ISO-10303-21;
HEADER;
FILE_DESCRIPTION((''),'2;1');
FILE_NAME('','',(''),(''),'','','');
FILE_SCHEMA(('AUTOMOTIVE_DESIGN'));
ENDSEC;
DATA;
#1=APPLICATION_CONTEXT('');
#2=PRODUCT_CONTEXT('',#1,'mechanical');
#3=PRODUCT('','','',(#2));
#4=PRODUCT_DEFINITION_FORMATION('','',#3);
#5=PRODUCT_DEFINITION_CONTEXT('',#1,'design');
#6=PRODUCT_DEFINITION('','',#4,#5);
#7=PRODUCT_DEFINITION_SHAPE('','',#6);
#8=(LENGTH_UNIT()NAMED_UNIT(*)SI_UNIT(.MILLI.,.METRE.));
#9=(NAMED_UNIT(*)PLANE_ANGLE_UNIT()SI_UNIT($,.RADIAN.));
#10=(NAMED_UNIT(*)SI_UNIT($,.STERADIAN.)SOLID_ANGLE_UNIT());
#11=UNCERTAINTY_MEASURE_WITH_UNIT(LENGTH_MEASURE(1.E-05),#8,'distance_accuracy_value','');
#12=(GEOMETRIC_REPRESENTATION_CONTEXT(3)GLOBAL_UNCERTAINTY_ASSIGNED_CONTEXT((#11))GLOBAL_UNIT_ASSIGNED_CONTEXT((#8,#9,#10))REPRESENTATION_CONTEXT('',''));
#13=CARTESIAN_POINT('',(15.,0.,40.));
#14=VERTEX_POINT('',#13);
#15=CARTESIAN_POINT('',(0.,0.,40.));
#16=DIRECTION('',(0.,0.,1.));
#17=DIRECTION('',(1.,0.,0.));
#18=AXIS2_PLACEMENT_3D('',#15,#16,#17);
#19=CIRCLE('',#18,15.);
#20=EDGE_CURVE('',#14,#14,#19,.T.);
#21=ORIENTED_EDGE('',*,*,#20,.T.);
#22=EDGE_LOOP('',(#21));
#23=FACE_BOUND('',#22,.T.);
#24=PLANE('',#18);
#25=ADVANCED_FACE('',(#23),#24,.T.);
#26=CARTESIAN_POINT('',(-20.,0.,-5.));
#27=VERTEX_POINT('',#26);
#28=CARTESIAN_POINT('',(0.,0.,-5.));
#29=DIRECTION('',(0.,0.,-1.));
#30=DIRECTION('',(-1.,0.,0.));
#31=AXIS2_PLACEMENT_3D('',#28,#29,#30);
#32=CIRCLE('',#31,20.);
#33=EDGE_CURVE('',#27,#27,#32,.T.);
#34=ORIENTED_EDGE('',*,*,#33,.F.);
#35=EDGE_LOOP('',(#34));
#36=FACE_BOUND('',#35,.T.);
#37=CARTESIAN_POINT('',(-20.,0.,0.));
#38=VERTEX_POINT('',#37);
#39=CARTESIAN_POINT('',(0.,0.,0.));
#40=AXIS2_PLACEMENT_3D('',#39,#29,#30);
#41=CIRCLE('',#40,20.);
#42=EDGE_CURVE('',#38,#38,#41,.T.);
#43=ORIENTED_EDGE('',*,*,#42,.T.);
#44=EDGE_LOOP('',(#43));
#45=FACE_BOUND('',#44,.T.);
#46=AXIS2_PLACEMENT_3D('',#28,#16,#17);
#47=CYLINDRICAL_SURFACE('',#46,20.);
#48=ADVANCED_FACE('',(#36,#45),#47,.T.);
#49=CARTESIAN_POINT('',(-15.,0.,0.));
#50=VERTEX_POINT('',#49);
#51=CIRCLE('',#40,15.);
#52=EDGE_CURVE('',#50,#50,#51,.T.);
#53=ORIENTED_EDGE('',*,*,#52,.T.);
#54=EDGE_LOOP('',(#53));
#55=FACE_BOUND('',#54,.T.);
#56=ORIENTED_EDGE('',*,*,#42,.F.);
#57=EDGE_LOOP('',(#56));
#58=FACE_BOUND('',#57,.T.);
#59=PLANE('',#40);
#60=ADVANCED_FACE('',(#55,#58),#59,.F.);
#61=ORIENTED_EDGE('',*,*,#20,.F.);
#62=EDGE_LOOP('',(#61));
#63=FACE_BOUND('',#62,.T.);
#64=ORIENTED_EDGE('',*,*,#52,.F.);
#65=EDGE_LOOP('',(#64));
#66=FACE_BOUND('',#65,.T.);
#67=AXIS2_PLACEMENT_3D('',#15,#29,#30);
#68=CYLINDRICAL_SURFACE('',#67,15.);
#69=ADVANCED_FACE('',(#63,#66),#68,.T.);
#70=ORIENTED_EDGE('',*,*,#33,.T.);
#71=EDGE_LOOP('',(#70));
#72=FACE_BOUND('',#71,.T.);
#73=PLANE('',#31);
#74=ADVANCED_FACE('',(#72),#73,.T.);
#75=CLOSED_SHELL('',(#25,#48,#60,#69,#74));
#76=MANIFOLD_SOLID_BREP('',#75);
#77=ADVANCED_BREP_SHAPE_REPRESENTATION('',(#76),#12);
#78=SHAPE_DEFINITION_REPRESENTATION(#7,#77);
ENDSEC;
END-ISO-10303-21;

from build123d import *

# Parameters (mm, degrees)
SKETCH1_R           = 15
BOSS_EXTRUDE1_DEPTH = 40
SKETCH2_R           = 20
BOSS_EXTRUDE2_DEPTH = 5


with BuildPart() as part:
    # Sketch1 → Boss-Extrude1 (new body)
    with BuildSketch(Plane.XY):
        Circle(SKETCH1_R)
    extrude(amount=BOSS_EXTRUDE1_DEPTH)

    # Sketch2 → Boss-Extrude2 (add)
    with BuildSketch(Plane(origin=(0, 0, 0), x_dir=(-1, 0, 0), z_dir=(0, 0, -1))):
        Circle(SKETCH2_R)
    extrude(amount=BOSS_EXTRUDE2_DEPTH)


solid = part.part
